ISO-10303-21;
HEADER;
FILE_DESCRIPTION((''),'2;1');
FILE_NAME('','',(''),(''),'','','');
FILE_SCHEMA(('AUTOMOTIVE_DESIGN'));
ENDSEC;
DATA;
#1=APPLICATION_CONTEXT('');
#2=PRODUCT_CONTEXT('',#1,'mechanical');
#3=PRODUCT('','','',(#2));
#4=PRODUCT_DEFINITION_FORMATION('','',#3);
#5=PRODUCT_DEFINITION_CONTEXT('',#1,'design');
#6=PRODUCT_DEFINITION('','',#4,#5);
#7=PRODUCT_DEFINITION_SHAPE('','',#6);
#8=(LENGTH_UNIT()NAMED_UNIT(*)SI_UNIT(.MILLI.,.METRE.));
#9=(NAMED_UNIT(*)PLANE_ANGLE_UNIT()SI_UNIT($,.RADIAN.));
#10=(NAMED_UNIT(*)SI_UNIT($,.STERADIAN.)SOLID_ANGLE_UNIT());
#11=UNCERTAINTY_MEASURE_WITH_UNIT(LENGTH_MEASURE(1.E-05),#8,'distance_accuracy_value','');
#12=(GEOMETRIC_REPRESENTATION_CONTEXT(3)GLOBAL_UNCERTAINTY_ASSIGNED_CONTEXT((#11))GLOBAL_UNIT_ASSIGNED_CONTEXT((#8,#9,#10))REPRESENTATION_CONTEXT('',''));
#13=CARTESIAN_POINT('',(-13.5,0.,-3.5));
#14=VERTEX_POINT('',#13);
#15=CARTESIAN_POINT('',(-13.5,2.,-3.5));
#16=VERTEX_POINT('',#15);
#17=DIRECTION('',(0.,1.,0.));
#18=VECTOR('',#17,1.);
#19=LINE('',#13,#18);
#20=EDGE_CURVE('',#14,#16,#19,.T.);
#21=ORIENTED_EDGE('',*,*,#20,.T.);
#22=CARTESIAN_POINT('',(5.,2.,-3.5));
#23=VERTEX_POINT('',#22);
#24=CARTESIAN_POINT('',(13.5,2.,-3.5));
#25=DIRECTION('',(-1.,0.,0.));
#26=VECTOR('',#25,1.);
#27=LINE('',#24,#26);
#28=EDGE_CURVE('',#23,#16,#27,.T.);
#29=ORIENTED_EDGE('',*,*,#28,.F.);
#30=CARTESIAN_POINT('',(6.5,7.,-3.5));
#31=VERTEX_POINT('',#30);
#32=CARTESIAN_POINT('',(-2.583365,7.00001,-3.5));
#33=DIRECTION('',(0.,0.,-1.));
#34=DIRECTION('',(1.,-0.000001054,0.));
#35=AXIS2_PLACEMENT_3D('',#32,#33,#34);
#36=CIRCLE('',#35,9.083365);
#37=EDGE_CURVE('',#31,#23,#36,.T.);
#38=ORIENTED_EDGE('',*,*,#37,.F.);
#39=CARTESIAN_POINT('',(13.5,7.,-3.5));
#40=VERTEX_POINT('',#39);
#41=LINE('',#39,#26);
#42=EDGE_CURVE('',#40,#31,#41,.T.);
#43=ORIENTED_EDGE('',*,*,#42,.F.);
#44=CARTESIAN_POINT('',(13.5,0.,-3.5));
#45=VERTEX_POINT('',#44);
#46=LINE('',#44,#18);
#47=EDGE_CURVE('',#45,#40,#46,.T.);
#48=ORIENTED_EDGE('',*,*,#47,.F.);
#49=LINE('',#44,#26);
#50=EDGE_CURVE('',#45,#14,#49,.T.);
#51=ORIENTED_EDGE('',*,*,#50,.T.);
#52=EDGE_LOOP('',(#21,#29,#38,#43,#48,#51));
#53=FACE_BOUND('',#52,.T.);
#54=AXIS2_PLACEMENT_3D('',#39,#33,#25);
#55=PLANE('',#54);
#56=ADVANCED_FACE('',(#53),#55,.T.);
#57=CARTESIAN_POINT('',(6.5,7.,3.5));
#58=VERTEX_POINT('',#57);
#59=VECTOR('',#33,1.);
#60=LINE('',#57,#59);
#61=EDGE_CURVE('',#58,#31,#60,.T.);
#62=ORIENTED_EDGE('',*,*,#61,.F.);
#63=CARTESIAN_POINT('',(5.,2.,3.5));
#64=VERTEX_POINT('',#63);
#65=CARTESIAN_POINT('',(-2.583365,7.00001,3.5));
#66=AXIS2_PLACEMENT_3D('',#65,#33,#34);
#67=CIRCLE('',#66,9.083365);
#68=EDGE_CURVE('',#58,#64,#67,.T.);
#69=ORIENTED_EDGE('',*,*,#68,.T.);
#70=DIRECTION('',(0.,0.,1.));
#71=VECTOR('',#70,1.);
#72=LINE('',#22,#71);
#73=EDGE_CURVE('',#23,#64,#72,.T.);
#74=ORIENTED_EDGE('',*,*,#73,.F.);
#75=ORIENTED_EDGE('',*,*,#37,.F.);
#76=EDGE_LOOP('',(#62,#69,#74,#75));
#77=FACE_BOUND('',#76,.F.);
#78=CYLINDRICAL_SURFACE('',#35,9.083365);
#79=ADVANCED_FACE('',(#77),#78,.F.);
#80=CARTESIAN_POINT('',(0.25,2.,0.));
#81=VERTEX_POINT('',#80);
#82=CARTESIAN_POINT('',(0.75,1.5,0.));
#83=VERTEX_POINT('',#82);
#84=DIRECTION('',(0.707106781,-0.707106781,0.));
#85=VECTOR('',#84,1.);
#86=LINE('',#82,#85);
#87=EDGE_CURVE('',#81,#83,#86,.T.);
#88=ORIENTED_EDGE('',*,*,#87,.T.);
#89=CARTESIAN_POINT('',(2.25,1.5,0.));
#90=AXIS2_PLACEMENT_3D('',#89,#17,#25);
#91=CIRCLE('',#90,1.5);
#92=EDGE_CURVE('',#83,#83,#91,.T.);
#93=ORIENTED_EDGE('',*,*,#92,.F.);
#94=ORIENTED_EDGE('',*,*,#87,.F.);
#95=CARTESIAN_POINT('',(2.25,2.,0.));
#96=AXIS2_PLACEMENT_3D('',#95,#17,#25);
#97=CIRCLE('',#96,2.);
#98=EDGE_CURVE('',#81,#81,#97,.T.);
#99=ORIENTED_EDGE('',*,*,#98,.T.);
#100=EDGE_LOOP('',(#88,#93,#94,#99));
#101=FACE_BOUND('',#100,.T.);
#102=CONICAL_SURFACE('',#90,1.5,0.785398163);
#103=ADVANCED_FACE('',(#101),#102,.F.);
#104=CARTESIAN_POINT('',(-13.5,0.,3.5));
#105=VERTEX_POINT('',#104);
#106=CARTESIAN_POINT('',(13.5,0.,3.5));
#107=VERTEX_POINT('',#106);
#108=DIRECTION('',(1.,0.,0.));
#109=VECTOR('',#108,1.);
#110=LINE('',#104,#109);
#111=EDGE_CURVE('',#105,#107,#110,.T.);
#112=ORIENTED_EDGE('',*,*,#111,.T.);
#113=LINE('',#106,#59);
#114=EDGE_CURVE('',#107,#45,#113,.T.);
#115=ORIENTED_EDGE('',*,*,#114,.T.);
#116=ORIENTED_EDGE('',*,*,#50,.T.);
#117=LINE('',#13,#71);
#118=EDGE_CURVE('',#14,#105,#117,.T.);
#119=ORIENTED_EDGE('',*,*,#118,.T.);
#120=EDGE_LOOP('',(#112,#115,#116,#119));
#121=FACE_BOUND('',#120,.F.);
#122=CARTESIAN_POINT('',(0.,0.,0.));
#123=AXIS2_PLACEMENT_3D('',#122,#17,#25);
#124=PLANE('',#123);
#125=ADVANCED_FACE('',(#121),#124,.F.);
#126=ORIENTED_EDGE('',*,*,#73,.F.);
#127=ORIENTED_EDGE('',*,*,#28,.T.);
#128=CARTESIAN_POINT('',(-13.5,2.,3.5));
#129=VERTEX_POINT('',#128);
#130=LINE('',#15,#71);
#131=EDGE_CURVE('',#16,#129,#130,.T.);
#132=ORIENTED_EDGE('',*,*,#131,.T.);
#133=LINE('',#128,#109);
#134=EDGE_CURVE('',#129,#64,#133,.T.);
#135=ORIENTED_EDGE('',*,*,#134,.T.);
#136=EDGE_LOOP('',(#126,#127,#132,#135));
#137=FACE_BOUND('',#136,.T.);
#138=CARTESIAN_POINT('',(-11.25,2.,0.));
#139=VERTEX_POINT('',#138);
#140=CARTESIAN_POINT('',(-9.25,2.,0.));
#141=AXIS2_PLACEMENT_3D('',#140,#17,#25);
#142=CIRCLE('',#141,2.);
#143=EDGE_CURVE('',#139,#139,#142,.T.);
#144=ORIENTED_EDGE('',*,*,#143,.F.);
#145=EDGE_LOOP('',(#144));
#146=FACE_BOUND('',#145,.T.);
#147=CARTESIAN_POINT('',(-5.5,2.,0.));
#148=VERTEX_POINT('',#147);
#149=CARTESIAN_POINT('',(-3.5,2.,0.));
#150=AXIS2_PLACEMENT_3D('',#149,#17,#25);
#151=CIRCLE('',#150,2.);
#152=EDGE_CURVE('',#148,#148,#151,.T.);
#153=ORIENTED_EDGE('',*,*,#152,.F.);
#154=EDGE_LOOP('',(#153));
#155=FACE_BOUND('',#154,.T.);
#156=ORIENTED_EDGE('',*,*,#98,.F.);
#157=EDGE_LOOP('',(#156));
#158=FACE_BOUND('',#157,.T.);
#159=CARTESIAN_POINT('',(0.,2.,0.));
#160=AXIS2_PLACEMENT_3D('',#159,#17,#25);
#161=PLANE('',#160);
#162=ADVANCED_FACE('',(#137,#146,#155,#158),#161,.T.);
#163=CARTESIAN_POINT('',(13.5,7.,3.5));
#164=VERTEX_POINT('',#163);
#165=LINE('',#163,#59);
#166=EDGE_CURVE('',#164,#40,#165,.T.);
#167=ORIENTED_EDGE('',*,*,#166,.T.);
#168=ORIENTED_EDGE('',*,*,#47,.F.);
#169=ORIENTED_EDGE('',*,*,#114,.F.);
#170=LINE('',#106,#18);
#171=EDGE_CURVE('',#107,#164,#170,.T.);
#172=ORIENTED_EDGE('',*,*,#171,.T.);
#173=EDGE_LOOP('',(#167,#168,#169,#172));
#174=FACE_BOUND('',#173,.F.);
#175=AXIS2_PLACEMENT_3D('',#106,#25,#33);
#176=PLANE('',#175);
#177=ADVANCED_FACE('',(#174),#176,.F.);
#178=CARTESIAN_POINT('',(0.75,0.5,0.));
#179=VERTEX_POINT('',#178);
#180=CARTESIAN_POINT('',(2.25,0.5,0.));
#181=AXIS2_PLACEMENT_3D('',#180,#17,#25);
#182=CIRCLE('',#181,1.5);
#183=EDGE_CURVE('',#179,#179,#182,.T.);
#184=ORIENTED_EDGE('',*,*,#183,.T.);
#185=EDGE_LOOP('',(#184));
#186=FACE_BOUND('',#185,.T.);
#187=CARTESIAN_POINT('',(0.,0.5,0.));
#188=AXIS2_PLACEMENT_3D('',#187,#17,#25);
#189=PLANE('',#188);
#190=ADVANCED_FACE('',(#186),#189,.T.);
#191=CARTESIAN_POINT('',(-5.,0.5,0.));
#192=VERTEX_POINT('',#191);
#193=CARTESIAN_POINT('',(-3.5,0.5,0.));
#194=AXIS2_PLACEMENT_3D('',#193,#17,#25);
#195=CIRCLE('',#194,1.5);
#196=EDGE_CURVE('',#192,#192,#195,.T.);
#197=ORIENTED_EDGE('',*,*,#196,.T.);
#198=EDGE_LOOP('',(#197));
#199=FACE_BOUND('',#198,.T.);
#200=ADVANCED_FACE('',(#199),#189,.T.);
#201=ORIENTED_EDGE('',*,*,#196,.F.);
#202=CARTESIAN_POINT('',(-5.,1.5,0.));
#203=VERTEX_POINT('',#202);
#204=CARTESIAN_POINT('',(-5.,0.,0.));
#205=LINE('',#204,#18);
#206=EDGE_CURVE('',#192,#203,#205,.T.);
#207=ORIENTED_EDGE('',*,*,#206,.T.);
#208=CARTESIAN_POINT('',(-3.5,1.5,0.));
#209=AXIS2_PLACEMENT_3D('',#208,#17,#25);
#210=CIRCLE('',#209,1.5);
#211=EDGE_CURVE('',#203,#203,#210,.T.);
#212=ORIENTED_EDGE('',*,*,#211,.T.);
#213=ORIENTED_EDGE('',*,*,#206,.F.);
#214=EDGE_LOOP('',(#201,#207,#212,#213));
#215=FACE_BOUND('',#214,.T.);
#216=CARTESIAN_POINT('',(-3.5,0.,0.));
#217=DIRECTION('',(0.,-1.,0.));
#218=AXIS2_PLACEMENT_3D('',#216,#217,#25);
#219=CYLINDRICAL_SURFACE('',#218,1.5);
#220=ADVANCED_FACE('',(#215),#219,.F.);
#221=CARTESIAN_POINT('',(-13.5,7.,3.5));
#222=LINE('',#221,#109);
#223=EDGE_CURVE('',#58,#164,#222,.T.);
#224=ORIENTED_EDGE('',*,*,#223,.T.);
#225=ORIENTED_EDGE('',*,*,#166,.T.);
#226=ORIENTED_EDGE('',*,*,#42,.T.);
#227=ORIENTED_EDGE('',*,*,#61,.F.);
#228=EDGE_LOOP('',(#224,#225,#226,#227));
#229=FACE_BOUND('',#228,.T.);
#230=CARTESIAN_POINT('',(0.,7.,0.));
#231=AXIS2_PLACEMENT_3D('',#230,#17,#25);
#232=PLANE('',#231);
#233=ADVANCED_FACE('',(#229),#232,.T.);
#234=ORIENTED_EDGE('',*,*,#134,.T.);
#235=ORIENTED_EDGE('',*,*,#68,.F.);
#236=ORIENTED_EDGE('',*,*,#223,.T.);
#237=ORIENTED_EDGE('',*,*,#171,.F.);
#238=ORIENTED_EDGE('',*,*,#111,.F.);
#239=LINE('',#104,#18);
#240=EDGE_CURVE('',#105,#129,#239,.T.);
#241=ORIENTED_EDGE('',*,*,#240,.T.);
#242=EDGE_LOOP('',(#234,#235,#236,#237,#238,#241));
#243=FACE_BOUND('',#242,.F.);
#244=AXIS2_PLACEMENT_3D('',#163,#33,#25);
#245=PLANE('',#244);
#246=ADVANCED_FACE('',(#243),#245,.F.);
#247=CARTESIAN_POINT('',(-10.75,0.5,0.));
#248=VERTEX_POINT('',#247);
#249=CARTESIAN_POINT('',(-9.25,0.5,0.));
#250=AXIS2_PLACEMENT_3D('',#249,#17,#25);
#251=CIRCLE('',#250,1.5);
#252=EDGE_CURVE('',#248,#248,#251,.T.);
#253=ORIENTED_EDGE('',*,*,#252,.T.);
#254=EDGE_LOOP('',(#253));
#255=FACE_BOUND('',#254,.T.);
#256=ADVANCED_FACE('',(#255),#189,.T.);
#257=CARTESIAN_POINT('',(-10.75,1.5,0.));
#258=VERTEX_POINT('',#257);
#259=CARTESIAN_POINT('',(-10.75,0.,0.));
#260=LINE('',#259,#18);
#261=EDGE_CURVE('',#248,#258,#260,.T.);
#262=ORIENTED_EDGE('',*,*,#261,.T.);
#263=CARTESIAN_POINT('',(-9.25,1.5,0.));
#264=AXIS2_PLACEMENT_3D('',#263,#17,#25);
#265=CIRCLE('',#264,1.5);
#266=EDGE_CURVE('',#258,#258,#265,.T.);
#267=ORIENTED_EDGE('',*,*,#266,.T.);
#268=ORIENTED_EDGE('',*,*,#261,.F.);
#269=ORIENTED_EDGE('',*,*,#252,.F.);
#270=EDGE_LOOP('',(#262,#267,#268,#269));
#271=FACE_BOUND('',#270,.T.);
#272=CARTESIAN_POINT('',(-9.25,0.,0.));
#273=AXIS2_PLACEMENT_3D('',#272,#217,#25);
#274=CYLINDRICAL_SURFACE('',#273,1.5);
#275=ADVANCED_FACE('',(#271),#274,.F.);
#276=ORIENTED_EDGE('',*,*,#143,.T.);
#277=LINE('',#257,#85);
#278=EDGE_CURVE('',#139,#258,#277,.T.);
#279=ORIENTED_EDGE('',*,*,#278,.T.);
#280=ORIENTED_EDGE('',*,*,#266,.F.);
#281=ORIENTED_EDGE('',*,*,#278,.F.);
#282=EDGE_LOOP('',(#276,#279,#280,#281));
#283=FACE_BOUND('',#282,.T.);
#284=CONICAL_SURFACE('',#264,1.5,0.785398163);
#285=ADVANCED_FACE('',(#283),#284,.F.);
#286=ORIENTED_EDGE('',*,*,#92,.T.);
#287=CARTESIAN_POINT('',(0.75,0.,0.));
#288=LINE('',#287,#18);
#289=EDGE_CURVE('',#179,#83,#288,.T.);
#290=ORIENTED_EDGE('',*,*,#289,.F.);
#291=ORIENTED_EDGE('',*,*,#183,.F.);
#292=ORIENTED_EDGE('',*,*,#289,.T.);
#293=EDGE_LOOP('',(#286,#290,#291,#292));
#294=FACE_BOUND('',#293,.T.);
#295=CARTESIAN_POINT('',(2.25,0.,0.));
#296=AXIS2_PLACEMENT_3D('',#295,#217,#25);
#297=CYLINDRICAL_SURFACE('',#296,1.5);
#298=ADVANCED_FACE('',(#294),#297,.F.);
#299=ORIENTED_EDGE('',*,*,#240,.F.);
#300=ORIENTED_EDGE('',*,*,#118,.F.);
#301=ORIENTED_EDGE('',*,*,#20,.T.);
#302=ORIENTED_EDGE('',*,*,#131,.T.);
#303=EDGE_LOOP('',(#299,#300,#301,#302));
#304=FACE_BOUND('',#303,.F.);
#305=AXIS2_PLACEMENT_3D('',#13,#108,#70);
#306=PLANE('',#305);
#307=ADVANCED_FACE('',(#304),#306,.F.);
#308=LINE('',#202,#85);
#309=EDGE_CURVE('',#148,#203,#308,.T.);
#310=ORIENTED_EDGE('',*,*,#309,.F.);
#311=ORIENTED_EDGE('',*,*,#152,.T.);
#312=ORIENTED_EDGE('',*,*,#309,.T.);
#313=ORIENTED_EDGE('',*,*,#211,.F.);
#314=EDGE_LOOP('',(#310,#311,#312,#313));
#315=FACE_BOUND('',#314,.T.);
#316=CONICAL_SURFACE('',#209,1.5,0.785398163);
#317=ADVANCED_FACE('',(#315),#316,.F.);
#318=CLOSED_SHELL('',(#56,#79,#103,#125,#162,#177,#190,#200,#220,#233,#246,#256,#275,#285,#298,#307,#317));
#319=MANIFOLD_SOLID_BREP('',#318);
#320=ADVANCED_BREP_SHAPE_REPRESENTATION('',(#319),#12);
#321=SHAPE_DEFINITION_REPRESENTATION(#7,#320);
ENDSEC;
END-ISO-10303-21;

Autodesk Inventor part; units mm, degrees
ref_plane "YZ Plane" through (0, 0, 0) normal (1, 0, 0) x (0, 1, 0)
ref_plane "XZ Plane" through (0, 0, 0) normal (0, 1, 0) x (-1, 0, 0)
ref_plane "XY Plane" through (0, 0, 0) normal (0, 0, 1) x (1, 0, 0)
sketch "Sketch1" plane through (0, 0, 0) normal (0, 1, 0) x (-1, 0, 0)
  line L0 (-13.5, -3.5) -> (13.5, -3.5)
  line L1 (13.5, -3.5) -> (13.5, 3.5)
  line L2 (13.5, 3.5) -> (-13.5, 3.5)
  line L3 (-13.5, 3.5) -> (-13.5, -3.5)
  line L4 (-13.5, -3.5) -> (13.5, 3.5) construction
  line L5 (13.5, -3.5) -> (-13.5, 3.5) construction
  line L6 (-6.5, 3.5) -> (-6.5, -3.5)
  line L7 (-6.5, 0) -> (13.5, 0) construction
  circle A0 centre (9.25, 0) radius 1.5
  circle A1 centre (3.5, 0) radius 1.5
  circle A2 centre (-2.25, 0) radius 1.5
  point P0 (0, 0)
  dimension "d0" = 27
  dimension "d1" = 7
  dimension "d2" = 7
  dimension "d3" = 3
  dimension "d6" = 3
  dimension "d11" = 3
  dimension "d19" = 5.75
  dimension "d20" = 5.75
  dimension "d21" = 4.25
  dimension "d22" = 4.25
extrude "Extrusion1" add sketch "Sketch1" along normal blind 7 contours L3 L2 L6 L0
extrude "Extrusion2" add sketch "Sketch1" along normal blind 2 contours L6 L2 L1 L0
extrude "Extrusion3" add sketch "Sketch1" along normal blind 0.5 contours A0 | A1 | A2
chamfer "Chamfer1" distance 0.5 angle 45 3 edges at (3.75, 2, 0) (-2, 2, 0) (-7.75, 2, 0)
sketch "Sketch2" plane through (13.5, 7, -3.5) normal (0, 0, -1) x (-1, 0, 0)
  line L0 (0, -7) -> (27, -7) projected
  line L1 (27, -7) -> (27, -5) projected
  line L2 (7, -5) -> (27, -5) projected
  line L3 (7, -5) -> (7, 0) projected
  line L4 (0, 0) -> (7, 0) projected
  line L5 (0, -7) -> (0, 0) projected
  arc A0 (7, 0) -> (8.5, -5) centre (16.0833, 0) ccw
  point P0 (13.5, -7)
  dimension "d32" = 1.5
extrude "Extrusion4" add sketch "Sketch2" against normal up to surface (7 mm away) contours A0 L2 L3
equation "\"d20\" = d19"
equation "\"d21\" = d19 - 0.5 * d11"
equation "\"d22\" = d19 - 0.5 * d3"
properties part number "glue_test_flex"
